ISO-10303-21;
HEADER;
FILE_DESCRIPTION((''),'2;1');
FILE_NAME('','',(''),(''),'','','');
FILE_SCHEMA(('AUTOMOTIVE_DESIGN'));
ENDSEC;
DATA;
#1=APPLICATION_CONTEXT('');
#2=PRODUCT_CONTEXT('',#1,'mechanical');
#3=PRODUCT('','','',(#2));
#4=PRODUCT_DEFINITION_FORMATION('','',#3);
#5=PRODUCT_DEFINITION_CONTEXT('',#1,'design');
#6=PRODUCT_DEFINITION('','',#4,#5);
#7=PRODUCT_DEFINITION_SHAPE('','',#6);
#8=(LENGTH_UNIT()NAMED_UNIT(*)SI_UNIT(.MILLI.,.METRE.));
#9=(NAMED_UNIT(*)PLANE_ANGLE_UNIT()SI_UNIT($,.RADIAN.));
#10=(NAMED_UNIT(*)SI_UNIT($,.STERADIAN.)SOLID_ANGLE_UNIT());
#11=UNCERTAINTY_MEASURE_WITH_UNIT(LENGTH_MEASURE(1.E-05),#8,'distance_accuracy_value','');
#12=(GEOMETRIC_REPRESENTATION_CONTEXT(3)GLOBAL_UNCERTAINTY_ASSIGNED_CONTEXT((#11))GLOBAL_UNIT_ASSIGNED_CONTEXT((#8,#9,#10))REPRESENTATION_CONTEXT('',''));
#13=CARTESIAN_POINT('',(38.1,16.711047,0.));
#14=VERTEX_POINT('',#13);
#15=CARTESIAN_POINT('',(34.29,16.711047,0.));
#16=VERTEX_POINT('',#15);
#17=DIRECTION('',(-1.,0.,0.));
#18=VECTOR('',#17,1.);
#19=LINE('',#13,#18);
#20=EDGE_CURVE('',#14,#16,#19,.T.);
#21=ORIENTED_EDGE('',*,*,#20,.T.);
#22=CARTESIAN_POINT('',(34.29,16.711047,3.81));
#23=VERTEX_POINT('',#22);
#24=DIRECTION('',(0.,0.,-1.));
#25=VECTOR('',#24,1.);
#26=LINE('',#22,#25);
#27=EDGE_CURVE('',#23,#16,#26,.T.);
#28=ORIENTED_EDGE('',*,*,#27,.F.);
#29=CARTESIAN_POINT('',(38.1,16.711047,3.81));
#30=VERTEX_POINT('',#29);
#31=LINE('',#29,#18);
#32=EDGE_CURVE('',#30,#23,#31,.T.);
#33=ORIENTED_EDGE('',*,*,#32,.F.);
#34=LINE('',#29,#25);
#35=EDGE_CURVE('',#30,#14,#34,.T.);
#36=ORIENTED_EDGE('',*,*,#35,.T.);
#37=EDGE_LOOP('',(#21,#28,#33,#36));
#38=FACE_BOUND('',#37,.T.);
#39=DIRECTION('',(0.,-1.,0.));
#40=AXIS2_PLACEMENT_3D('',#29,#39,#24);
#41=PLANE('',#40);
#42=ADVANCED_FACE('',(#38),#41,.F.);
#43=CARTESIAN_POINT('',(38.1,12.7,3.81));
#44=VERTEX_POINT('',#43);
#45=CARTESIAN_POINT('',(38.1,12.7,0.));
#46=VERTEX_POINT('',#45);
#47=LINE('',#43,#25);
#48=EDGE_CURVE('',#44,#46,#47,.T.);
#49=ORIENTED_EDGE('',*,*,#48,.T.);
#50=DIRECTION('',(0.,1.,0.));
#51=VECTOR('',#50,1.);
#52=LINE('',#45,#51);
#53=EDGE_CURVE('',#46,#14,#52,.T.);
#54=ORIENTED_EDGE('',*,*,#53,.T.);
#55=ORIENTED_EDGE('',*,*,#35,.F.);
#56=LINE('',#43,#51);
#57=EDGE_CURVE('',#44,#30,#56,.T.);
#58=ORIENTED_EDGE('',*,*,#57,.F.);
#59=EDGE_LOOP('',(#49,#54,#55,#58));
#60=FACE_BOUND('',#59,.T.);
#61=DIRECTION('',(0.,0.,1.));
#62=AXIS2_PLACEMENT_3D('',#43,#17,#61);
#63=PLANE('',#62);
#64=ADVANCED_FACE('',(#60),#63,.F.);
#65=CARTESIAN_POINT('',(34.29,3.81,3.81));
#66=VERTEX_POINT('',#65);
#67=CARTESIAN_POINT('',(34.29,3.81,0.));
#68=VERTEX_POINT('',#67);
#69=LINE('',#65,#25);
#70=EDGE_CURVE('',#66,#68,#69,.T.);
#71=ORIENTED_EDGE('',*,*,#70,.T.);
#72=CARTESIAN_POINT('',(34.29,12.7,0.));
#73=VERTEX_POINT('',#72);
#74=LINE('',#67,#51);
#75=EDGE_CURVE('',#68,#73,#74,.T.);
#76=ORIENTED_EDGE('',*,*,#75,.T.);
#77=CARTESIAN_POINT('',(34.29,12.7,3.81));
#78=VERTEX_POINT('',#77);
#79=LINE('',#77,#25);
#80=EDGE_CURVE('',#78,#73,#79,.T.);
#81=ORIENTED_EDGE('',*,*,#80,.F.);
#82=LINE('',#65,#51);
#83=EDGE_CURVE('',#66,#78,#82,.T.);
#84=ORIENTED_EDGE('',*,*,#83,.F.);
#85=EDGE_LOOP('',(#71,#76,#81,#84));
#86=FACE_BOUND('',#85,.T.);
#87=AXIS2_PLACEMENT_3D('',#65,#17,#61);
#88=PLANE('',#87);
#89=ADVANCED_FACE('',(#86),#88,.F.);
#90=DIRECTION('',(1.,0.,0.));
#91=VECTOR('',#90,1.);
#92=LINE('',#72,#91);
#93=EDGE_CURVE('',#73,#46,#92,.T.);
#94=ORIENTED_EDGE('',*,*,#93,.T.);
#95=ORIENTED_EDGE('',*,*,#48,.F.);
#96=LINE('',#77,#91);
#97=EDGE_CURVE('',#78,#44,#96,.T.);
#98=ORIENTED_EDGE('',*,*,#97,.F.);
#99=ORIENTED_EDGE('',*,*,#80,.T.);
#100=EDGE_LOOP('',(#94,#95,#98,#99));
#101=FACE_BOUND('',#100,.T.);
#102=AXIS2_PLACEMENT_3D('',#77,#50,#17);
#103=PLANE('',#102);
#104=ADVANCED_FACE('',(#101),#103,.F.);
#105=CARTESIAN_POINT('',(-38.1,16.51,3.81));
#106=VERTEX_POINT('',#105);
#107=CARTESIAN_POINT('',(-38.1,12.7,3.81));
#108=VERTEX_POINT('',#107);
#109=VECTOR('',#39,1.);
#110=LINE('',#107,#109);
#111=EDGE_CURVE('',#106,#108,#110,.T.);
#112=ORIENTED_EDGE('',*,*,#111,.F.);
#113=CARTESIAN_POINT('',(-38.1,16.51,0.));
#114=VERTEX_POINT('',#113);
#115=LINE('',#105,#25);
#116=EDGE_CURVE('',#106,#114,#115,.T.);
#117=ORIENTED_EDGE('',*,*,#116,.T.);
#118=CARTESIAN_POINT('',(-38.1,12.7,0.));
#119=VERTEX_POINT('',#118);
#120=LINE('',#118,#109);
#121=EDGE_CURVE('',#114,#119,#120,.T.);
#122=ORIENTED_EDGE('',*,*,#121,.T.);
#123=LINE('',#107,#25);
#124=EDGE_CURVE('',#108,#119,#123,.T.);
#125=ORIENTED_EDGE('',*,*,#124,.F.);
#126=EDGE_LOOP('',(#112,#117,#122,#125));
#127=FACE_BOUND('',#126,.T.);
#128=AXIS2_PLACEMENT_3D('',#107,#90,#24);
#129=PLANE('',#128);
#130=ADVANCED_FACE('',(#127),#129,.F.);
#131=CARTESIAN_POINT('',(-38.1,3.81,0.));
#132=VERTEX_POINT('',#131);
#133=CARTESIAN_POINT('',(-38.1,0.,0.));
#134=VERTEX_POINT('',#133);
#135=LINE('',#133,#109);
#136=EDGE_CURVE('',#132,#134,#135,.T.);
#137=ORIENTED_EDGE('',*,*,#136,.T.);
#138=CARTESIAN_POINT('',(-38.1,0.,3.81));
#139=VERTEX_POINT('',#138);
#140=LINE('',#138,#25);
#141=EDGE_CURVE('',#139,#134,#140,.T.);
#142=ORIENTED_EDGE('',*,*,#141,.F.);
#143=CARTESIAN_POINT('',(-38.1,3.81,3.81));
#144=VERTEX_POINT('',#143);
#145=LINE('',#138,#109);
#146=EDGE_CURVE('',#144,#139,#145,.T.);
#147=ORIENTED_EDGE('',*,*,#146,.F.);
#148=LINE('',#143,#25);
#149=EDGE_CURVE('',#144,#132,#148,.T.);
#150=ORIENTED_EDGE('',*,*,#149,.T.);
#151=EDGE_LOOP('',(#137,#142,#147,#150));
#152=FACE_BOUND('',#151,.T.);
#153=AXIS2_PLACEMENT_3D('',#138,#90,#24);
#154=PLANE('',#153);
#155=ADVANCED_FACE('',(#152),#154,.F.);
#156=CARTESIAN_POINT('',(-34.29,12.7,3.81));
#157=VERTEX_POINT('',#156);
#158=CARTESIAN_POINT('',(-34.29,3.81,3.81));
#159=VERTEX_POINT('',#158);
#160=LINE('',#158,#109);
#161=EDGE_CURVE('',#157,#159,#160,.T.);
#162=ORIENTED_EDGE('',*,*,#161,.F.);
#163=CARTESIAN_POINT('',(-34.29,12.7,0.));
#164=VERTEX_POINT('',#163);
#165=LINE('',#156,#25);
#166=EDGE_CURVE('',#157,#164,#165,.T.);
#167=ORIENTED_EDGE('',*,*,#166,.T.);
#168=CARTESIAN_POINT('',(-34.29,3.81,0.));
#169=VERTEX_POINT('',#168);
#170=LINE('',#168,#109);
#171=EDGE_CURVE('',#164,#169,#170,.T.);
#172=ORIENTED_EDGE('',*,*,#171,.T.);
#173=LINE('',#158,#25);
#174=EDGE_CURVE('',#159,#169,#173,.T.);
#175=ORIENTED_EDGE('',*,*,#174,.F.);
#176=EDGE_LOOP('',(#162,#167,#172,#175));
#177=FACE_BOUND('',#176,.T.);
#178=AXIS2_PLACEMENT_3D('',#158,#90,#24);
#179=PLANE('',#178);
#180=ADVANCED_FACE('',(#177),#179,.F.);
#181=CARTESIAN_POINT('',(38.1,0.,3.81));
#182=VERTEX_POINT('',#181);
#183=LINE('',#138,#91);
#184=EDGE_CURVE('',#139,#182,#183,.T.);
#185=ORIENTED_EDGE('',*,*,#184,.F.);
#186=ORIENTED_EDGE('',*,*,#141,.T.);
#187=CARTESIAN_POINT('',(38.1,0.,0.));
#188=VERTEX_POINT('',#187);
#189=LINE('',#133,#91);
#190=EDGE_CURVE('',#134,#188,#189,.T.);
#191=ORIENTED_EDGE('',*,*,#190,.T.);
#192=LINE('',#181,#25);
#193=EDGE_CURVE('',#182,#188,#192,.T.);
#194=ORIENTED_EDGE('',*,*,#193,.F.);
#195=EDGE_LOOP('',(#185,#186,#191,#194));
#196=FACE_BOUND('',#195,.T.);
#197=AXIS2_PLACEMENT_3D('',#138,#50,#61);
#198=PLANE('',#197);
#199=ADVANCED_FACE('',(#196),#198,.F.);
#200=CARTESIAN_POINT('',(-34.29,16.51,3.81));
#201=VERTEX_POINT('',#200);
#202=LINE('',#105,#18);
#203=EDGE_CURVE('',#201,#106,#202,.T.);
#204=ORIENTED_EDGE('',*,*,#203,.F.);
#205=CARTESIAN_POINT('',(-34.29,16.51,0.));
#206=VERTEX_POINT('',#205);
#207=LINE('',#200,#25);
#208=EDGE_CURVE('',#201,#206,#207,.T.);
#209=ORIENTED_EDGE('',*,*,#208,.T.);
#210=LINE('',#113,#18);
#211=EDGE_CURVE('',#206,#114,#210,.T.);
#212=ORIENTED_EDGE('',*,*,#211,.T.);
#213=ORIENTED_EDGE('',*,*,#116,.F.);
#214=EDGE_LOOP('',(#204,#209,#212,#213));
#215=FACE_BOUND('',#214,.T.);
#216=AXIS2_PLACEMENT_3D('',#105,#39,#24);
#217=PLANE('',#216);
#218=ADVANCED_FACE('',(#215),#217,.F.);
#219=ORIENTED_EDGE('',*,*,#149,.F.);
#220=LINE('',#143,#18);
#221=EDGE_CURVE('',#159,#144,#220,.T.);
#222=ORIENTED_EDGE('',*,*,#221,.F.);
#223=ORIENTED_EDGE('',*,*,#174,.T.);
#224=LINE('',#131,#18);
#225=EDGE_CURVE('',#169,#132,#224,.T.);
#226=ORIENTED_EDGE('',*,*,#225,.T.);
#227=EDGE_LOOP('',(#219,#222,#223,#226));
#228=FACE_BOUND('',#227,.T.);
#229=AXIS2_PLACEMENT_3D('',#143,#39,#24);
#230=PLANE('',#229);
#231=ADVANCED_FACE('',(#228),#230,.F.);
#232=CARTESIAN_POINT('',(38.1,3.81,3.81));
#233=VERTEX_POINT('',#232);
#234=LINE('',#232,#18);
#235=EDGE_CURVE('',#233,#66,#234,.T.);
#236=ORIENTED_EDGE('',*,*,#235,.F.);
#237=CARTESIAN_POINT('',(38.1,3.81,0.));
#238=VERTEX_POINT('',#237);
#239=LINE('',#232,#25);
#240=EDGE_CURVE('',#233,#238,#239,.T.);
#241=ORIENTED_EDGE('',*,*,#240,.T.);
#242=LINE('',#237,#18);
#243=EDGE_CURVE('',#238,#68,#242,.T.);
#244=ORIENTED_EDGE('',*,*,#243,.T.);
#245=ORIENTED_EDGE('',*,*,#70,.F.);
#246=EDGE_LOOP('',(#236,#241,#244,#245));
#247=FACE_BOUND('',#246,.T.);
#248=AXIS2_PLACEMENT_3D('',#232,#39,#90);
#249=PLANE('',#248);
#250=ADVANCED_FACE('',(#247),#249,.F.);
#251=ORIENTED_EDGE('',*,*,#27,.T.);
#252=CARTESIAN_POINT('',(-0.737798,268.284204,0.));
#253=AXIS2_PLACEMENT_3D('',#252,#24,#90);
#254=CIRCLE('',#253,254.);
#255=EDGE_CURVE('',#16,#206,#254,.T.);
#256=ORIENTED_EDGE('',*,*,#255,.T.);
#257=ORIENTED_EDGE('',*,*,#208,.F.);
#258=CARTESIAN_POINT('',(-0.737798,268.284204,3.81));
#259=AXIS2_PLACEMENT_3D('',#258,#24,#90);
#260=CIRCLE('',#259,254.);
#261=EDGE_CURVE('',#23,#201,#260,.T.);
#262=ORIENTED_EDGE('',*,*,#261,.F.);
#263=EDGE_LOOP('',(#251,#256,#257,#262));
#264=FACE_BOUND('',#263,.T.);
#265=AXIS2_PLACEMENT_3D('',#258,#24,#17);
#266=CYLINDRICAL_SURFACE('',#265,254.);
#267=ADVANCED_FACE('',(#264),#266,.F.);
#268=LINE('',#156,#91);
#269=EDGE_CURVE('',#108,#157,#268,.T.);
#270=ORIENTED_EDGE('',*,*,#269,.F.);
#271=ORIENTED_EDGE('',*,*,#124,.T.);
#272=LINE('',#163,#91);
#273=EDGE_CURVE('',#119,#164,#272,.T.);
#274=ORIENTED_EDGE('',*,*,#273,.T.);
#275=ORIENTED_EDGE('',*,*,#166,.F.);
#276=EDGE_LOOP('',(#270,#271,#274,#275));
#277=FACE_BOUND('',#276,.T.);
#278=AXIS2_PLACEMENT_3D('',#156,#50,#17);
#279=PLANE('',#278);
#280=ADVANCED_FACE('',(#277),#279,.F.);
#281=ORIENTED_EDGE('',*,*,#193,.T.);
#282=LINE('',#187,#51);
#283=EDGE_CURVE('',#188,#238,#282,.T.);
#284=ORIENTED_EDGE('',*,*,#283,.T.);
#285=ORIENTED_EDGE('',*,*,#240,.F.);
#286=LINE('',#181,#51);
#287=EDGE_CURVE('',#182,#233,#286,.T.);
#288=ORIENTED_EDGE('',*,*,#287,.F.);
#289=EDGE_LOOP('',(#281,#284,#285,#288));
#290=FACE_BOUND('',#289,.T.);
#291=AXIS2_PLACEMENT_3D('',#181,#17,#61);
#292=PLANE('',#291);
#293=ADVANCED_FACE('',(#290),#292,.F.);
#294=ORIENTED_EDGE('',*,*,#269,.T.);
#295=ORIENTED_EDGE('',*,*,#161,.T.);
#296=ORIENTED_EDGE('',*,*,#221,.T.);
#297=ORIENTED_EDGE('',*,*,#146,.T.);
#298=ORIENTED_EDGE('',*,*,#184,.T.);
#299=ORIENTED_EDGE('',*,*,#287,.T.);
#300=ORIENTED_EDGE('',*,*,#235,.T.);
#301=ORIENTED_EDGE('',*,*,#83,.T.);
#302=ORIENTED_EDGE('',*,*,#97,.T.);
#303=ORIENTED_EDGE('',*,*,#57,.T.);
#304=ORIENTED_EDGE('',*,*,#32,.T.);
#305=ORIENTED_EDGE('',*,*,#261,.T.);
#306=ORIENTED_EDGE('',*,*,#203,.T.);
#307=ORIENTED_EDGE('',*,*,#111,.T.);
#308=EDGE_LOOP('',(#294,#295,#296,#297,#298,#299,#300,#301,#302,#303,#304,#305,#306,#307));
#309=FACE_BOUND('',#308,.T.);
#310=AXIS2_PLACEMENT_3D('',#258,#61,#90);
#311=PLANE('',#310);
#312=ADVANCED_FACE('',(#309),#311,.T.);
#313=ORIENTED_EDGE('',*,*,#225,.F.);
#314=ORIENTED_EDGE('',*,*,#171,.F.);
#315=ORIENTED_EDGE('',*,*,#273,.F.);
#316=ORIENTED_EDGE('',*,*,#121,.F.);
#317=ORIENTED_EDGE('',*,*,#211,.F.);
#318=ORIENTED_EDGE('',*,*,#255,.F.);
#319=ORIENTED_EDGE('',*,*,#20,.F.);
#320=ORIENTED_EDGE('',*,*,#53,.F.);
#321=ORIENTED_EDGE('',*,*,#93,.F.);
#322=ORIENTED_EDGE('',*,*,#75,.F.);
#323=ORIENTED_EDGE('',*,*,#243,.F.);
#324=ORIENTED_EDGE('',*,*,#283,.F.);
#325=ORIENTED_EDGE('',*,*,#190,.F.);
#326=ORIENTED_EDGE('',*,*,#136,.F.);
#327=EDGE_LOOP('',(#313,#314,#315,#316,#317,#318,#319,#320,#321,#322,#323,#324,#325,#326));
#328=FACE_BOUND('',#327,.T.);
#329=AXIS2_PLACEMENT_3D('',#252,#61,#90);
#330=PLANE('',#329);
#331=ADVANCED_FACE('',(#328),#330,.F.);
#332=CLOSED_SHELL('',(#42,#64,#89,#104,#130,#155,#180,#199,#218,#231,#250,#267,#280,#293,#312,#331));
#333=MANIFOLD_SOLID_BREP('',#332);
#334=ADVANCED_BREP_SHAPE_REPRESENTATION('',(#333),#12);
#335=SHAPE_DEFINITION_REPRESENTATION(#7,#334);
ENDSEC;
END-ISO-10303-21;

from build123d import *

# Parameters (mm, degrees)
BOSS_EXTRUDE1_DEPTH = 3.81


with BuildPart() as part:
    # Sketch1 → Boss-Extrude1 (new body)
    with BuildSketch(Plane.XY):
        with BuildLine():
            Line((-38.1, 0), (38.1, 0))
            Line((38.1, 0), (38.1, 3.81))
            Line((38.1, 3.81), (34.29, 3.81))
            Line((34.29, 3.81), (34.29, 12.7))
            Line((34.29, 12.7), (38.1, 12.7))
            Line((38.1, 12.7), (38.1, 16.711046713))
            Line((38.1, 16.711046713), (34.29, 16.711046713))
            ThreePointArc((34.29, 16.711046713), (0.006816557, 14.285295283), (-34.29, 16.51))
            Line((-34.29, 16.51), (-38.1, 16.51))
            Line((-38.1, 16.51), (-38.1, 12.7))
            Line((-38.1, 12.7), (-34.29, 12.7))
            Line((-34.29, 12.7), (-34.29, 3.81))
            Line((-34.29, 3.81), (-38.1, 3.81))
            Line((-38.1, 3.81), (-38.1, 0))
        make_face()
    extrude(amount=BOSS_EXTRUDE1_DEPTH)


solid = part.part
